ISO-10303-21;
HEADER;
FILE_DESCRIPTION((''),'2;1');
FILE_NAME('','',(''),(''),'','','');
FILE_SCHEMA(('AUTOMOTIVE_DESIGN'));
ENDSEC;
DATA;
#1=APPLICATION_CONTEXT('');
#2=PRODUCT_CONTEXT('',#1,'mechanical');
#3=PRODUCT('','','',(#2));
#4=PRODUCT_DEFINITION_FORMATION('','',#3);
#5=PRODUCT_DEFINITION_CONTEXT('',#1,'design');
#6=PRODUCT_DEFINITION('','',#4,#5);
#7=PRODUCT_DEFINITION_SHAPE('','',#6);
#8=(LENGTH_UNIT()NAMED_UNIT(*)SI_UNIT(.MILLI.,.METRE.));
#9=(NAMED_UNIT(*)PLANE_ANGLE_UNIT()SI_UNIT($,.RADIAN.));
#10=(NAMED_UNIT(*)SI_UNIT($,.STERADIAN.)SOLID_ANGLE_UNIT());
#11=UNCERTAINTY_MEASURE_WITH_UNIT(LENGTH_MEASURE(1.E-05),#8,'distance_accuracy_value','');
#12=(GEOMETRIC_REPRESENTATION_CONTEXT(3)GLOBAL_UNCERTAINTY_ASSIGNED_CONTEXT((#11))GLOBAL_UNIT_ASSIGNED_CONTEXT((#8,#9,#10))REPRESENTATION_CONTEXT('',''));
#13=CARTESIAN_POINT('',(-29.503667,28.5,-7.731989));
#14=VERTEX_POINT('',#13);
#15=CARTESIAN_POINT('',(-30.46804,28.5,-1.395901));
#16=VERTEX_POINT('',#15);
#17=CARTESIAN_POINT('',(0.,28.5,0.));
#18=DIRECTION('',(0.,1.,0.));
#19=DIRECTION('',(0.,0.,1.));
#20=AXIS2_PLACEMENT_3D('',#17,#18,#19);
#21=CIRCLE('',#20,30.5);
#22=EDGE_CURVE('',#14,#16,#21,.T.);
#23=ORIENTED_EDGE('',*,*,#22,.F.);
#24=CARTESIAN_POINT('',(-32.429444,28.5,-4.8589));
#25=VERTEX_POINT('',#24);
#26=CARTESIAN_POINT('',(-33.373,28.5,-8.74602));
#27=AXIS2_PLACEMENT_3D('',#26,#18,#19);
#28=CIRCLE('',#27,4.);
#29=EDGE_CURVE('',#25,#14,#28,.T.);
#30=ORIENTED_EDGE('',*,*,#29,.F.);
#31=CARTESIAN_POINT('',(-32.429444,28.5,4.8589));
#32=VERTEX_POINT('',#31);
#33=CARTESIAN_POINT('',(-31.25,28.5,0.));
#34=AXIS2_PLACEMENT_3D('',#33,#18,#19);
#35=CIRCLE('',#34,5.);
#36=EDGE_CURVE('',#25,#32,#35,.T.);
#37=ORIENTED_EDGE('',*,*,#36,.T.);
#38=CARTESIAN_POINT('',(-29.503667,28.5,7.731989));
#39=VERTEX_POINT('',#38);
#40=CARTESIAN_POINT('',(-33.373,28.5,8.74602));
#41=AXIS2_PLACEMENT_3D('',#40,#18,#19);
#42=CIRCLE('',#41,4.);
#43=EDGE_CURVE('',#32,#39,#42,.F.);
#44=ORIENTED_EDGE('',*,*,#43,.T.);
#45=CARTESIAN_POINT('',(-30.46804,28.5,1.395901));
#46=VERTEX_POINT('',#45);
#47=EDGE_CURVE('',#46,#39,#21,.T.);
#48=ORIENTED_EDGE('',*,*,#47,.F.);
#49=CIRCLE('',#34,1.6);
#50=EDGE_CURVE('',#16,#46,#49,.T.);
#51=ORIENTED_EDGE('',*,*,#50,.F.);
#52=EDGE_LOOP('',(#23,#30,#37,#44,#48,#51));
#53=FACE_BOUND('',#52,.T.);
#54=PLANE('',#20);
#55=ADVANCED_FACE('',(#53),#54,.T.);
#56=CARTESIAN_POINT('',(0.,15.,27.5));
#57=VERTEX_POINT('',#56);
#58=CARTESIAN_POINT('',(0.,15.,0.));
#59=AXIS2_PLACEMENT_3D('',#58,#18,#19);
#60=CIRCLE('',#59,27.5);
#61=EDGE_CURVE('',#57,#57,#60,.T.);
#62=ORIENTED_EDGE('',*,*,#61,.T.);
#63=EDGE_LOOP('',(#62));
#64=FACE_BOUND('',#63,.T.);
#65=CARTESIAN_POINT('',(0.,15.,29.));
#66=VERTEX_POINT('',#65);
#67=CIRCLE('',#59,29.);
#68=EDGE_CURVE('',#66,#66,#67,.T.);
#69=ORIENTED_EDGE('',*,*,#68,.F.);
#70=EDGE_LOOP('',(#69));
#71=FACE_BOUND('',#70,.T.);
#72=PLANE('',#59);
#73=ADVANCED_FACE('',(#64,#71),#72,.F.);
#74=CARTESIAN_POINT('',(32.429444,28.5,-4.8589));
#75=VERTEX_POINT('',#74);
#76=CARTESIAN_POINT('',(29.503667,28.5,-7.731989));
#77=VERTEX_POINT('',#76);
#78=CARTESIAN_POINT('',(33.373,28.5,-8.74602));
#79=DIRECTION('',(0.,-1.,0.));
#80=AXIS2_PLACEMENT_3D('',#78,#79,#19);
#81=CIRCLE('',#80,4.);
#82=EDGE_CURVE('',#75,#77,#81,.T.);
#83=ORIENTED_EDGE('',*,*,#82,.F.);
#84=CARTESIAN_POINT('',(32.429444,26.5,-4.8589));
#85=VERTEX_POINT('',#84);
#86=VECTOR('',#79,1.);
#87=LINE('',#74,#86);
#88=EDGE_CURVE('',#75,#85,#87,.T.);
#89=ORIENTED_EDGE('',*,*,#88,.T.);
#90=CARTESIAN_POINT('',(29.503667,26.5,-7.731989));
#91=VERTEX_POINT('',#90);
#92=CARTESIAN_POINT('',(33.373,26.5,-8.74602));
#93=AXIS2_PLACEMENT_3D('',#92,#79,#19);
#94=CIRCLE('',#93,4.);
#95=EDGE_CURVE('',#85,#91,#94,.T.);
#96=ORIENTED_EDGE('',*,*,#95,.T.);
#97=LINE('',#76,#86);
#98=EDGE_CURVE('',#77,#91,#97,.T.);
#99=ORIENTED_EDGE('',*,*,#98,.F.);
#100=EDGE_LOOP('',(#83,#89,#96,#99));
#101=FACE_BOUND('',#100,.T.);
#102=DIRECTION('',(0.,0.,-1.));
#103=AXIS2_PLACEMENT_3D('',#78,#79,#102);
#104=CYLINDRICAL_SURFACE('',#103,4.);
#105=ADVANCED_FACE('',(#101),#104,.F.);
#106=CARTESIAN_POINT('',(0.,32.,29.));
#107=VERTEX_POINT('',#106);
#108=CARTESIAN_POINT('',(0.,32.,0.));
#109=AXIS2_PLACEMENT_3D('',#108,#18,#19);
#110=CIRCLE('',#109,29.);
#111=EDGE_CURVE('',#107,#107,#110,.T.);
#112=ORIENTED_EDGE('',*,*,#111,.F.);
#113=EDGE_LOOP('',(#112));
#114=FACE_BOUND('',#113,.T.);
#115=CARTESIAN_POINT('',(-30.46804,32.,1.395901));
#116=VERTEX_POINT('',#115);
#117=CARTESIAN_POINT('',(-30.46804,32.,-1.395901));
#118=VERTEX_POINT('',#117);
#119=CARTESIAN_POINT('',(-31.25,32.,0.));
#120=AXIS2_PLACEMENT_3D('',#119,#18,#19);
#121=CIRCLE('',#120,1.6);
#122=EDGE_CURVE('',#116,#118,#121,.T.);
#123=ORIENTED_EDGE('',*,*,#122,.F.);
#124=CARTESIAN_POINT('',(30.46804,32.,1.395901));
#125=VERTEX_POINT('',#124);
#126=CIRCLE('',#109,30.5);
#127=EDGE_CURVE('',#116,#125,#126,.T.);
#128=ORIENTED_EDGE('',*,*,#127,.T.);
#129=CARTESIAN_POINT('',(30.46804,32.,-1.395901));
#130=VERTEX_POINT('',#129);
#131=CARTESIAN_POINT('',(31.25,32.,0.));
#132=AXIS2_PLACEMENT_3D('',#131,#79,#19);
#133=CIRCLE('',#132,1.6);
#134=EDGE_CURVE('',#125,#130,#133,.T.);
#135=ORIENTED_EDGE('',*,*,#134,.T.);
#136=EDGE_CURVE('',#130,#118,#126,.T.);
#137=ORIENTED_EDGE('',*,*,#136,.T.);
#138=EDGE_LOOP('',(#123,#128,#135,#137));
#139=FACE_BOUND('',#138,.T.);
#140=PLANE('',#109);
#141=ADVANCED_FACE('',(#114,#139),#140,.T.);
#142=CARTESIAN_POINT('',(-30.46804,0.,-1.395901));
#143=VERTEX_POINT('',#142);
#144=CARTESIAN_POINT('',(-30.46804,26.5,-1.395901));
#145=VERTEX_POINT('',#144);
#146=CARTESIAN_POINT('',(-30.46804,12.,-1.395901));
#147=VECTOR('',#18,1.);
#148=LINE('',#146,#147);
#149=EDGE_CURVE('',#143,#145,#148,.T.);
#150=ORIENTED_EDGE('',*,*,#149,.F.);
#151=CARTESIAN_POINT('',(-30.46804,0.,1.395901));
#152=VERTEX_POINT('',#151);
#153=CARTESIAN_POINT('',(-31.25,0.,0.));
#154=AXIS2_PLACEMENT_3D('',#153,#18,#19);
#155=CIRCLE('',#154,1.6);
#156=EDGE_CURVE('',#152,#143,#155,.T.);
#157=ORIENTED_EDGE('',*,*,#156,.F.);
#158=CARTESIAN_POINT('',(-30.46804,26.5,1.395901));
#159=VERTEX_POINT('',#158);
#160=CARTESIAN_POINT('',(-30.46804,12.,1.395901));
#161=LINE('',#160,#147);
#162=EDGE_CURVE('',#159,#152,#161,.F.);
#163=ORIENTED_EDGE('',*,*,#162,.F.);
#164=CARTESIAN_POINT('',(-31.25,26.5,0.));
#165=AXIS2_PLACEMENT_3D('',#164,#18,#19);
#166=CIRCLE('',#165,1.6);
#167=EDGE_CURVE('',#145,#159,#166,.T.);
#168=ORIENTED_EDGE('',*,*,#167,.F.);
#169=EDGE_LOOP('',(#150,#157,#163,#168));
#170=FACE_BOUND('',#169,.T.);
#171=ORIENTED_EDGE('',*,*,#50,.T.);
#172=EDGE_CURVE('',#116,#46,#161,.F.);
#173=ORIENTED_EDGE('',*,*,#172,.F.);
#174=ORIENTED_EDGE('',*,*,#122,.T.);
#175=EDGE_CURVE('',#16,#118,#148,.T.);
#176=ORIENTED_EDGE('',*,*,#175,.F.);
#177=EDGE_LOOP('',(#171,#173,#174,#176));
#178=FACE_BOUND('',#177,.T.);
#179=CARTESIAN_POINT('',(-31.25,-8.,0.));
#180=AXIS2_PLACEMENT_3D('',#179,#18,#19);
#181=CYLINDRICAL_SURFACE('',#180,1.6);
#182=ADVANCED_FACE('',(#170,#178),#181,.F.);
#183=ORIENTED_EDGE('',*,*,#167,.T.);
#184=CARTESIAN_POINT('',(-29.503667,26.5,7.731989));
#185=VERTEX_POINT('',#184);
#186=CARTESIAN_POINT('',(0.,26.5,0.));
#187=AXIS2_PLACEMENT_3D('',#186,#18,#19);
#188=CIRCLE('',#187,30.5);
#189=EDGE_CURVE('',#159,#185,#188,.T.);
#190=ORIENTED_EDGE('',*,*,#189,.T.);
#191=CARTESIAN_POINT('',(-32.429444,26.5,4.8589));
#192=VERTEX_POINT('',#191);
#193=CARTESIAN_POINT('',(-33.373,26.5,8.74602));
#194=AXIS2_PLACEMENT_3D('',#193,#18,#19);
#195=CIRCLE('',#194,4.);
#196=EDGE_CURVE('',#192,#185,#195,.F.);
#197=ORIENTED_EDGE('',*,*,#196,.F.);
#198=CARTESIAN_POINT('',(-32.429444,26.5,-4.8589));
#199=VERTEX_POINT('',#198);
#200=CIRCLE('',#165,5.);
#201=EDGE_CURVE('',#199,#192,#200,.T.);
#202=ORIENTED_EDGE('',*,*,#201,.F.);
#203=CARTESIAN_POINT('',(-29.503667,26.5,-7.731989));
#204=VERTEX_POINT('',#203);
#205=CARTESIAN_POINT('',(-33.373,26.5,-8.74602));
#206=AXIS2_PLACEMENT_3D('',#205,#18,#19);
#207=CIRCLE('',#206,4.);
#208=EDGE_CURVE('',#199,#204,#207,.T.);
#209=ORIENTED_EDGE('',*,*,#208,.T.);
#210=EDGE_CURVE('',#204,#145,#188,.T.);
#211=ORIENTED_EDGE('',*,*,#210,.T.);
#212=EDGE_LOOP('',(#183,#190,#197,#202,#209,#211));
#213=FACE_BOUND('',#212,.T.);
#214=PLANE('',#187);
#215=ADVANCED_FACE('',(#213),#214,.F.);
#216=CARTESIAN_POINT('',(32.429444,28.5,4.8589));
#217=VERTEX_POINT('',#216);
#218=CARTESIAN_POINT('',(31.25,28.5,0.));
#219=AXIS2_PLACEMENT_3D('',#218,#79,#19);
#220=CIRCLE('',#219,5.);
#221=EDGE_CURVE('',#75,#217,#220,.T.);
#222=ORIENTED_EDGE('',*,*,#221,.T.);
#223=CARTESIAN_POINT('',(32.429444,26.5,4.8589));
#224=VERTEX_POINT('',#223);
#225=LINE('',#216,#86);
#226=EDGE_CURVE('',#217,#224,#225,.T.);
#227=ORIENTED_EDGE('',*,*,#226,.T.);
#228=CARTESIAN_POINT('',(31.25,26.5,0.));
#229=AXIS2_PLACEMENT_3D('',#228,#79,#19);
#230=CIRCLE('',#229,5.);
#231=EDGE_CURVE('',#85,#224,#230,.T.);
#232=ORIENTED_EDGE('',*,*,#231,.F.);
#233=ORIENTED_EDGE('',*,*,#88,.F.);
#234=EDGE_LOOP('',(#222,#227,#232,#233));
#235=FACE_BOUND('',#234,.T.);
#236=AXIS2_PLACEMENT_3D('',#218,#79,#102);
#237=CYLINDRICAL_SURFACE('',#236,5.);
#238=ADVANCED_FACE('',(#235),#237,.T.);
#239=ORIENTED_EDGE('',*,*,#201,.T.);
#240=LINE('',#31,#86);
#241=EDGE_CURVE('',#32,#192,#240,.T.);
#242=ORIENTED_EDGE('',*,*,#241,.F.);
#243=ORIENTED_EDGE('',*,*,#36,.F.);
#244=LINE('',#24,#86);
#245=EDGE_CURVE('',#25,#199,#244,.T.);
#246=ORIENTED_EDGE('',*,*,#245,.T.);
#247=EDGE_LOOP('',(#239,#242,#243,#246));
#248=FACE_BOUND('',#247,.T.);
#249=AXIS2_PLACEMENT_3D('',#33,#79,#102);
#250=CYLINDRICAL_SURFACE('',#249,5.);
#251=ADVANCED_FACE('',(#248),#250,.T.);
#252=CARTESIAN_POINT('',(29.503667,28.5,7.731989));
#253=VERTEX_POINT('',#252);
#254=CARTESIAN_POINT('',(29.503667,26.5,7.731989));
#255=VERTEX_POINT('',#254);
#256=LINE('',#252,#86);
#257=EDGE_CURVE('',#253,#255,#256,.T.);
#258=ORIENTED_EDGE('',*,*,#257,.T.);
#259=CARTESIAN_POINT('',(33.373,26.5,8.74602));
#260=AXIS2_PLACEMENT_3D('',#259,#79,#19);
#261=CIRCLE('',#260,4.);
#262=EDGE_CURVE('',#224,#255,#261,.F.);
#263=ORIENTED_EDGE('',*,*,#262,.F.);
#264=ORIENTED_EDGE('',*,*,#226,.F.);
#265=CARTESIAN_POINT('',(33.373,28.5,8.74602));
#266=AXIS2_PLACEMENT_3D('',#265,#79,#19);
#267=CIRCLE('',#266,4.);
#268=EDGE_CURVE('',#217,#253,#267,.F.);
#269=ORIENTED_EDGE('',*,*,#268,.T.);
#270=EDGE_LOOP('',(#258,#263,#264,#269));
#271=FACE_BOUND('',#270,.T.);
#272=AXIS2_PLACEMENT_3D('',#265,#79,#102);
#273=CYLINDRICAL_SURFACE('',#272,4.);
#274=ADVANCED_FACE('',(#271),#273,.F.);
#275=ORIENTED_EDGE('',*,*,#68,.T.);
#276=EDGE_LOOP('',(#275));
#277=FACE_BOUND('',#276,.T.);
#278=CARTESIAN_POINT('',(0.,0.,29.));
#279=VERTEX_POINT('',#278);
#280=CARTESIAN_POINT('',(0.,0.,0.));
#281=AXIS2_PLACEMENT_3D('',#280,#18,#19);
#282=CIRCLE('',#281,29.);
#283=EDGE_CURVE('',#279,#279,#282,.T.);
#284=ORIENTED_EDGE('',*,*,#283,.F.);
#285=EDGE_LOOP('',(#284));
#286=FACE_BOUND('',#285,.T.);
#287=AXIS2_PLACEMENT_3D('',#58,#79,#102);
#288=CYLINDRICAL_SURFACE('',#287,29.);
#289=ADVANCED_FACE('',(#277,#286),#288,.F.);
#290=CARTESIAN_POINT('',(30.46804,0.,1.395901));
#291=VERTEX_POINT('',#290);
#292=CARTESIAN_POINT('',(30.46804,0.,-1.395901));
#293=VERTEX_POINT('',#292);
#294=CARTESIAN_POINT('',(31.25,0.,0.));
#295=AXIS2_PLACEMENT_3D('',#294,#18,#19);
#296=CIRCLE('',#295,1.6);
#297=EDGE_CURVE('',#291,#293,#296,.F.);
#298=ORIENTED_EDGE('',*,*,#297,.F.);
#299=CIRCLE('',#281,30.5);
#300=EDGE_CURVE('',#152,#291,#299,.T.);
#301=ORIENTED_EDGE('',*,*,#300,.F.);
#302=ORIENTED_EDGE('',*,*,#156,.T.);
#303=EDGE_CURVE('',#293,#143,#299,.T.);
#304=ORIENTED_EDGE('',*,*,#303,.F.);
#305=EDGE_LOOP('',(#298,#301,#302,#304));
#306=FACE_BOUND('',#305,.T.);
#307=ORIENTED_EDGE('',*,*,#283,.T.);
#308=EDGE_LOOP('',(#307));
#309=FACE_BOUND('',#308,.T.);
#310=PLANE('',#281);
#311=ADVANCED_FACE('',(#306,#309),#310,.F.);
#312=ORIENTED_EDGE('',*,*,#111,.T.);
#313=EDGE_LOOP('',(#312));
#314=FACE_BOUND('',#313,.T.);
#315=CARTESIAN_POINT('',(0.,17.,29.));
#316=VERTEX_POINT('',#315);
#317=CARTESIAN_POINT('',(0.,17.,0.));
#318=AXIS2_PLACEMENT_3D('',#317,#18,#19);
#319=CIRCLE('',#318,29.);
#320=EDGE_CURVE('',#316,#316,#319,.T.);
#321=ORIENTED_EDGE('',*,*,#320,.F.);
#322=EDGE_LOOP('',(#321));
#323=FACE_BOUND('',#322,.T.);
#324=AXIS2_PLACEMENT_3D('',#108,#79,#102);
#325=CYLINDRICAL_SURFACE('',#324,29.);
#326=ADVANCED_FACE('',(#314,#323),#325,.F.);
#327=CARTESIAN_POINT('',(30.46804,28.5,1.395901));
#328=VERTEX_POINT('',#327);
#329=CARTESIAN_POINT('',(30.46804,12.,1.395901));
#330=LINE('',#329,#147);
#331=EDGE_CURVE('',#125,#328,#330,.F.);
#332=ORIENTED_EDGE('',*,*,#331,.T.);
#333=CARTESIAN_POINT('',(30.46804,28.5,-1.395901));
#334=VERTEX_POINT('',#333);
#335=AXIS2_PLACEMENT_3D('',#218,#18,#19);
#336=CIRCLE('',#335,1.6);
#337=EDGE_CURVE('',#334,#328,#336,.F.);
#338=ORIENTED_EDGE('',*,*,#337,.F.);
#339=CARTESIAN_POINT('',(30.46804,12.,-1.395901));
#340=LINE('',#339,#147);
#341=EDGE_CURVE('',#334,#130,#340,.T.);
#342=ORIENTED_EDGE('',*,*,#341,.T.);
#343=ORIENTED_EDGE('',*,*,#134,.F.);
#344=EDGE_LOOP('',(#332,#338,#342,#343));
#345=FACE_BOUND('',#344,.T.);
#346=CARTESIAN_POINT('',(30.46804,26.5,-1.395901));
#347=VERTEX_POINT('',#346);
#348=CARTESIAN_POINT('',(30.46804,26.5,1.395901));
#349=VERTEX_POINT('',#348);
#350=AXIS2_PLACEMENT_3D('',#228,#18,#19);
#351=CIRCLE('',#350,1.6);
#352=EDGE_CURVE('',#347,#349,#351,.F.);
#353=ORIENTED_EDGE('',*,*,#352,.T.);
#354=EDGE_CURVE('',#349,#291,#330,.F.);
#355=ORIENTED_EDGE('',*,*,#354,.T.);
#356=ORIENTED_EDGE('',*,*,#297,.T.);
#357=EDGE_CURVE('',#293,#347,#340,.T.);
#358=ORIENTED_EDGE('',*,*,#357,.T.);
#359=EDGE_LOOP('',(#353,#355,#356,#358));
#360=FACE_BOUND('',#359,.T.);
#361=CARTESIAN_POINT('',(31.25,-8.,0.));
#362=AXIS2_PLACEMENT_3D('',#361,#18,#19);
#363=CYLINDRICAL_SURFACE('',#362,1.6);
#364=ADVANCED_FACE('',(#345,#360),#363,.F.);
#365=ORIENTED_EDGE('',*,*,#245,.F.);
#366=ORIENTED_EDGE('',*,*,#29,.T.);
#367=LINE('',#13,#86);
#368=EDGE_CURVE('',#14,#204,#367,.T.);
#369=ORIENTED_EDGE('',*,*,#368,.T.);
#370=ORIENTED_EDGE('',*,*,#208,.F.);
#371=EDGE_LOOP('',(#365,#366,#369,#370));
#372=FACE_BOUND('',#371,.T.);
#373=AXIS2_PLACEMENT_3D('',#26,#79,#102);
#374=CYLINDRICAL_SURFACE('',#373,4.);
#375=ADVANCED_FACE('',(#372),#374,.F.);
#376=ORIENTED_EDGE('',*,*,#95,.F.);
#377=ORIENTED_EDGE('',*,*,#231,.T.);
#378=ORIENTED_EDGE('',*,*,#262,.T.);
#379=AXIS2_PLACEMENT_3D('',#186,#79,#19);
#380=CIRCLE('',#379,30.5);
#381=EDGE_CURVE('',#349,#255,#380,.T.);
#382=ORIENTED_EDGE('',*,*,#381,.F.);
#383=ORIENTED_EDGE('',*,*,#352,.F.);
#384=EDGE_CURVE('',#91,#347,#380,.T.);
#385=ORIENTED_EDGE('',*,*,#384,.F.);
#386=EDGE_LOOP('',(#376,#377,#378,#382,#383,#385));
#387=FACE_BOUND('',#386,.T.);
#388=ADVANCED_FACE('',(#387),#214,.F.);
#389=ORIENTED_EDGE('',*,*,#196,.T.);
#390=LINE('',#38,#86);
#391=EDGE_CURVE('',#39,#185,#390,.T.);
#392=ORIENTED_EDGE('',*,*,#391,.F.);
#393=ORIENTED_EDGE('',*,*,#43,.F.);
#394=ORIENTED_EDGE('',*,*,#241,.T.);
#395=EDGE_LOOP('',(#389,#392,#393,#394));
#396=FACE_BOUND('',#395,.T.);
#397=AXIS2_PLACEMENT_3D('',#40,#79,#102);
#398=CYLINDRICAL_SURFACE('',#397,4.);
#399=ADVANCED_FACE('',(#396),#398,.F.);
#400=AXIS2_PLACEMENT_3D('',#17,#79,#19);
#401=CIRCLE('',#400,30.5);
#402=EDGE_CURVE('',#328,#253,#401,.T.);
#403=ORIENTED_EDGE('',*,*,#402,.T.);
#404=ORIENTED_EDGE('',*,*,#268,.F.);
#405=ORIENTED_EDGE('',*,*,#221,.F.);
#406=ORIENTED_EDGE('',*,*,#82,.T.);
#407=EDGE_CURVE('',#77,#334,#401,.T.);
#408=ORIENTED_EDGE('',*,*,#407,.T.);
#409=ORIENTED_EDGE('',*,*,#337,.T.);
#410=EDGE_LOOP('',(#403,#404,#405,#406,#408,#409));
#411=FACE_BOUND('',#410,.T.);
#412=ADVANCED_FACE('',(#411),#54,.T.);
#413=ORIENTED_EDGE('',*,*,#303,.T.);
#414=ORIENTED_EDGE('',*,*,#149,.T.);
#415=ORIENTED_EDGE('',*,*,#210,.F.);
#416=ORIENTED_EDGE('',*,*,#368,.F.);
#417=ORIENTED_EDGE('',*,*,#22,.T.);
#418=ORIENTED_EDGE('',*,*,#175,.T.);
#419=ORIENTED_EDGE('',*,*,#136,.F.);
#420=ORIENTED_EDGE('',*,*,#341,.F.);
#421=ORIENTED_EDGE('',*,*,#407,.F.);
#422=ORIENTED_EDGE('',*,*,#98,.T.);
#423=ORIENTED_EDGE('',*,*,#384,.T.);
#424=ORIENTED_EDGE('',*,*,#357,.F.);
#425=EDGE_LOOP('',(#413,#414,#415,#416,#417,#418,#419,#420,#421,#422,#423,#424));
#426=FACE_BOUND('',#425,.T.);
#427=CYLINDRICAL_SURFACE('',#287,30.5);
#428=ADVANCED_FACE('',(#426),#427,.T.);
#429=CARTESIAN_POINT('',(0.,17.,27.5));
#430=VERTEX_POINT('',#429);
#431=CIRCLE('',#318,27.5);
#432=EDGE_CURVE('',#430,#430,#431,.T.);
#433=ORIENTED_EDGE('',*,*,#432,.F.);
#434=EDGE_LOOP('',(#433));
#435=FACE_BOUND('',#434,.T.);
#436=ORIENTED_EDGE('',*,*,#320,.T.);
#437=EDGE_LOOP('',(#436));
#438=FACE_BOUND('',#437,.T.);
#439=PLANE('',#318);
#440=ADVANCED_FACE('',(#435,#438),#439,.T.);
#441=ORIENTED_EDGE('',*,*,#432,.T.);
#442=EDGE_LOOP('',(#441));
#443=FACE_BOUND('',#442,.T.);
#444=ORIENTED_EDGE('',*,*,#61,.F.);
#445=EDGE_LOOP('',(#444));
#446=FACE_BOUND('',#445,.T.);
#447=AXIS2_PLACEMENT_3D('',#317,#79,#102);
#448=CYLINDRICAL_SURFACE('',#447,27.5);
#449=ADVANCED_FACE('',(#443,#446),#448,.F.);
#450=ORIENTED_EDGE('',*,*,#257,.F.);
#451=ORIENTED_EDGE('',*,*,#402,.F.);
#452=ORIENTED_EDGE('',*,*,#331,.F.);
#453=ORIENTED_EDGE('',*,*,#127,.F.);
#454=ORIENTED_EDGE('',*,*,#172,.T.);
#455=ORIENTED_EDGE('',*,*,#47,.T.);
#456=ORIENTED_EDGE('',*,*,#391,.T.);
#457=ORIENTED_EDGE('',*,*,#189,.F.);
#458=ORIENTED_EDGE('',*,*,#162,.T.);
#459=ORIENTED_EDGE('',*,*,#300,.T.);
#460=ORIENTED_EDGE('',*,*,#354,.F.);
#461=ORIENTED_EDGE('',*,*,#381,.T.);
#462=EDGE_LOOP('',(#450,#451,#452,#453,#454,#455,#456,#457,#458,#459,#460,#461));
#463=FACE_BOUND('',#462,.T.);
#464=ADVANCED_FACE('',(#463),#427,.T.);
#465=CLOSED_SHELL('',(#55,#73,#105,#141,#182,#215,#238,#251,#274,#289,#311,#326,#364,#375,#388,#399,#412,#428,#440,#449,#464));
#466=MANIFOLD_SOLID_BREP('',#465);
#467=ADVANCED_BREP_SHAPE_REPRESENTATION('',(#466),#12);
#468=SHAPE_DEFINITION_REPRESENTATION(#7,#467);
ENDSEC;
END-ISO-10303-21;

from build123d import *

# Parameters (mm, degrees)
SKETCH1_R           = 30.5
SKETCH1_R_2         = 29
BOSS_EXTRUDE1_DEPTH = 15
SKETCH2_R           = 30.5
SKETCH2_R_2         = 27.5
BOSS_EXTRUDE2_DEPTH = 2
SKETCH3_R           = 30.5
SKETCH3_R_2         = 29
BOSS_EXTRUDE3_DEPTH = 15
BOSS_EXTRUDE4_DEPTH = 2
SKETCH5_R           = 1.6
CUT_EXTRUDE1_DEPTH  = 40


with BuildPart() as part:
    # Sketch1 → Boss-Extrude1 (new body)
    with BuildSketch(Plane(origin=(0, 0, 0), x_dir=(1, 0, 0), z_dir=(0, 1, 0))):
        with Locations(Location((0, 0, 0), (0, 0, 270))):
            Circle(SKETCH1_R)
        with Locations(Location((0, 0, 0), (0, 0, 270))):
            Circle(SKETCH1_R_2, mode=Mode.SUBTRACT)
    extrude(amount=BOSS_EXTRUDE1_DEPTH)

    # Sketch2 → Boss-Extrude2 (add)
    with BuildSketch(Plane(origin=(0, 15, 0), x_dir=(1, 0, 0), z_dir=(0, 1, 0))):
        with Locations(Location((0, 0, 0), (0, 0, 270))):
            Circle(SKETCH2_R)
        with Locations(Location((0, 0, 0), (0, 0, 270))):
            Circle(SKETCH2_R_2, mode=Mode.SUBTRACT)
    extrude(amount=BOSS_EXTRUDE2_DEPTH)

    # Sketch3 → Boss-Extrude3 (add)
    with BuildSketch(Plane(origin=(0, 17, 0), x_dir=(1, 0, 0), z_dir=(0, 1, 0))):
        with Locations(Location((0, 0, 0), (0, 0, 270))):
            Circle(SKETCH3_R)
        with Locations(Location((0, 0, 0), (0, 0, 270))):
            Circle(SKETCH3_R_2, mode=Mode.SUBTRACT)
    extrude(amount=BOSS_EXTRUDE3_DEPTH)

    # Sketch4 → Boss-Extrude4 (add)
    with BuildSketch(Plane(origin=(0, 26.5, 0), x_dir=(1, 0, 0), z_dir=(0, 1, 0))):
        with BuildLine():
            ThreePointArc((-32.429444444, -4.858900164), (-30.570387885, -5.892011652), (-29.503666667, -7.731988956))
            ThreePointArc((-29.503666667, -7.731988956), (-30.249891184, -3.897958868), (-30.5, 0))
            ThreePointArc((-30.5, 0), (-30.249891184, 3.897958868), (-29.503666667, 7.731988956))
            ThreePointArc((-29.503666667, 7.731988956), (-30.570387885, 5.892011652), (-32.429444444, 4.858900164))
            ThreePointArc((-32.429444444, 4.858900164), (-36.25, 0), (-32.429444444, -4.858900164))
        make_face()
    boss_extrude4 = extrude(amount=BOSS_EXTRUDE4_DEPTH)

    # Sketch5 → Cut-Extrude1 (cut)
    with BuildSketch(Plane(origin=(0, 32, 0), x_dir=(1, 0, 0), z_dir=(0, 1, 0))):
        with Locations(Location((-31.25, 0, 0), (0, 0, 299.256813925))):
            Circle(SKETCH5_R)
    cut_extrude1 = extrude(amount=-CUT_EXTRUDE1_DEPTH, mode=Mode.SUBTRACT)

    # Mirror1: Boss-Extrude4, Cut-Extrude1 across plane
    add(boss_extrude4.mirror(Plane(origin=(0, 0, 0), x_dir=(0, 0, 1), z_dir=(1, 0, 0))))
    add(cut_extrude1.mirror(Plane(origin=(0, 0, 0), x_dir=(0, 0, 1), z_dir=(1, 0, 0))), mode=Mode.SUBTRACT)


solid = part.part
